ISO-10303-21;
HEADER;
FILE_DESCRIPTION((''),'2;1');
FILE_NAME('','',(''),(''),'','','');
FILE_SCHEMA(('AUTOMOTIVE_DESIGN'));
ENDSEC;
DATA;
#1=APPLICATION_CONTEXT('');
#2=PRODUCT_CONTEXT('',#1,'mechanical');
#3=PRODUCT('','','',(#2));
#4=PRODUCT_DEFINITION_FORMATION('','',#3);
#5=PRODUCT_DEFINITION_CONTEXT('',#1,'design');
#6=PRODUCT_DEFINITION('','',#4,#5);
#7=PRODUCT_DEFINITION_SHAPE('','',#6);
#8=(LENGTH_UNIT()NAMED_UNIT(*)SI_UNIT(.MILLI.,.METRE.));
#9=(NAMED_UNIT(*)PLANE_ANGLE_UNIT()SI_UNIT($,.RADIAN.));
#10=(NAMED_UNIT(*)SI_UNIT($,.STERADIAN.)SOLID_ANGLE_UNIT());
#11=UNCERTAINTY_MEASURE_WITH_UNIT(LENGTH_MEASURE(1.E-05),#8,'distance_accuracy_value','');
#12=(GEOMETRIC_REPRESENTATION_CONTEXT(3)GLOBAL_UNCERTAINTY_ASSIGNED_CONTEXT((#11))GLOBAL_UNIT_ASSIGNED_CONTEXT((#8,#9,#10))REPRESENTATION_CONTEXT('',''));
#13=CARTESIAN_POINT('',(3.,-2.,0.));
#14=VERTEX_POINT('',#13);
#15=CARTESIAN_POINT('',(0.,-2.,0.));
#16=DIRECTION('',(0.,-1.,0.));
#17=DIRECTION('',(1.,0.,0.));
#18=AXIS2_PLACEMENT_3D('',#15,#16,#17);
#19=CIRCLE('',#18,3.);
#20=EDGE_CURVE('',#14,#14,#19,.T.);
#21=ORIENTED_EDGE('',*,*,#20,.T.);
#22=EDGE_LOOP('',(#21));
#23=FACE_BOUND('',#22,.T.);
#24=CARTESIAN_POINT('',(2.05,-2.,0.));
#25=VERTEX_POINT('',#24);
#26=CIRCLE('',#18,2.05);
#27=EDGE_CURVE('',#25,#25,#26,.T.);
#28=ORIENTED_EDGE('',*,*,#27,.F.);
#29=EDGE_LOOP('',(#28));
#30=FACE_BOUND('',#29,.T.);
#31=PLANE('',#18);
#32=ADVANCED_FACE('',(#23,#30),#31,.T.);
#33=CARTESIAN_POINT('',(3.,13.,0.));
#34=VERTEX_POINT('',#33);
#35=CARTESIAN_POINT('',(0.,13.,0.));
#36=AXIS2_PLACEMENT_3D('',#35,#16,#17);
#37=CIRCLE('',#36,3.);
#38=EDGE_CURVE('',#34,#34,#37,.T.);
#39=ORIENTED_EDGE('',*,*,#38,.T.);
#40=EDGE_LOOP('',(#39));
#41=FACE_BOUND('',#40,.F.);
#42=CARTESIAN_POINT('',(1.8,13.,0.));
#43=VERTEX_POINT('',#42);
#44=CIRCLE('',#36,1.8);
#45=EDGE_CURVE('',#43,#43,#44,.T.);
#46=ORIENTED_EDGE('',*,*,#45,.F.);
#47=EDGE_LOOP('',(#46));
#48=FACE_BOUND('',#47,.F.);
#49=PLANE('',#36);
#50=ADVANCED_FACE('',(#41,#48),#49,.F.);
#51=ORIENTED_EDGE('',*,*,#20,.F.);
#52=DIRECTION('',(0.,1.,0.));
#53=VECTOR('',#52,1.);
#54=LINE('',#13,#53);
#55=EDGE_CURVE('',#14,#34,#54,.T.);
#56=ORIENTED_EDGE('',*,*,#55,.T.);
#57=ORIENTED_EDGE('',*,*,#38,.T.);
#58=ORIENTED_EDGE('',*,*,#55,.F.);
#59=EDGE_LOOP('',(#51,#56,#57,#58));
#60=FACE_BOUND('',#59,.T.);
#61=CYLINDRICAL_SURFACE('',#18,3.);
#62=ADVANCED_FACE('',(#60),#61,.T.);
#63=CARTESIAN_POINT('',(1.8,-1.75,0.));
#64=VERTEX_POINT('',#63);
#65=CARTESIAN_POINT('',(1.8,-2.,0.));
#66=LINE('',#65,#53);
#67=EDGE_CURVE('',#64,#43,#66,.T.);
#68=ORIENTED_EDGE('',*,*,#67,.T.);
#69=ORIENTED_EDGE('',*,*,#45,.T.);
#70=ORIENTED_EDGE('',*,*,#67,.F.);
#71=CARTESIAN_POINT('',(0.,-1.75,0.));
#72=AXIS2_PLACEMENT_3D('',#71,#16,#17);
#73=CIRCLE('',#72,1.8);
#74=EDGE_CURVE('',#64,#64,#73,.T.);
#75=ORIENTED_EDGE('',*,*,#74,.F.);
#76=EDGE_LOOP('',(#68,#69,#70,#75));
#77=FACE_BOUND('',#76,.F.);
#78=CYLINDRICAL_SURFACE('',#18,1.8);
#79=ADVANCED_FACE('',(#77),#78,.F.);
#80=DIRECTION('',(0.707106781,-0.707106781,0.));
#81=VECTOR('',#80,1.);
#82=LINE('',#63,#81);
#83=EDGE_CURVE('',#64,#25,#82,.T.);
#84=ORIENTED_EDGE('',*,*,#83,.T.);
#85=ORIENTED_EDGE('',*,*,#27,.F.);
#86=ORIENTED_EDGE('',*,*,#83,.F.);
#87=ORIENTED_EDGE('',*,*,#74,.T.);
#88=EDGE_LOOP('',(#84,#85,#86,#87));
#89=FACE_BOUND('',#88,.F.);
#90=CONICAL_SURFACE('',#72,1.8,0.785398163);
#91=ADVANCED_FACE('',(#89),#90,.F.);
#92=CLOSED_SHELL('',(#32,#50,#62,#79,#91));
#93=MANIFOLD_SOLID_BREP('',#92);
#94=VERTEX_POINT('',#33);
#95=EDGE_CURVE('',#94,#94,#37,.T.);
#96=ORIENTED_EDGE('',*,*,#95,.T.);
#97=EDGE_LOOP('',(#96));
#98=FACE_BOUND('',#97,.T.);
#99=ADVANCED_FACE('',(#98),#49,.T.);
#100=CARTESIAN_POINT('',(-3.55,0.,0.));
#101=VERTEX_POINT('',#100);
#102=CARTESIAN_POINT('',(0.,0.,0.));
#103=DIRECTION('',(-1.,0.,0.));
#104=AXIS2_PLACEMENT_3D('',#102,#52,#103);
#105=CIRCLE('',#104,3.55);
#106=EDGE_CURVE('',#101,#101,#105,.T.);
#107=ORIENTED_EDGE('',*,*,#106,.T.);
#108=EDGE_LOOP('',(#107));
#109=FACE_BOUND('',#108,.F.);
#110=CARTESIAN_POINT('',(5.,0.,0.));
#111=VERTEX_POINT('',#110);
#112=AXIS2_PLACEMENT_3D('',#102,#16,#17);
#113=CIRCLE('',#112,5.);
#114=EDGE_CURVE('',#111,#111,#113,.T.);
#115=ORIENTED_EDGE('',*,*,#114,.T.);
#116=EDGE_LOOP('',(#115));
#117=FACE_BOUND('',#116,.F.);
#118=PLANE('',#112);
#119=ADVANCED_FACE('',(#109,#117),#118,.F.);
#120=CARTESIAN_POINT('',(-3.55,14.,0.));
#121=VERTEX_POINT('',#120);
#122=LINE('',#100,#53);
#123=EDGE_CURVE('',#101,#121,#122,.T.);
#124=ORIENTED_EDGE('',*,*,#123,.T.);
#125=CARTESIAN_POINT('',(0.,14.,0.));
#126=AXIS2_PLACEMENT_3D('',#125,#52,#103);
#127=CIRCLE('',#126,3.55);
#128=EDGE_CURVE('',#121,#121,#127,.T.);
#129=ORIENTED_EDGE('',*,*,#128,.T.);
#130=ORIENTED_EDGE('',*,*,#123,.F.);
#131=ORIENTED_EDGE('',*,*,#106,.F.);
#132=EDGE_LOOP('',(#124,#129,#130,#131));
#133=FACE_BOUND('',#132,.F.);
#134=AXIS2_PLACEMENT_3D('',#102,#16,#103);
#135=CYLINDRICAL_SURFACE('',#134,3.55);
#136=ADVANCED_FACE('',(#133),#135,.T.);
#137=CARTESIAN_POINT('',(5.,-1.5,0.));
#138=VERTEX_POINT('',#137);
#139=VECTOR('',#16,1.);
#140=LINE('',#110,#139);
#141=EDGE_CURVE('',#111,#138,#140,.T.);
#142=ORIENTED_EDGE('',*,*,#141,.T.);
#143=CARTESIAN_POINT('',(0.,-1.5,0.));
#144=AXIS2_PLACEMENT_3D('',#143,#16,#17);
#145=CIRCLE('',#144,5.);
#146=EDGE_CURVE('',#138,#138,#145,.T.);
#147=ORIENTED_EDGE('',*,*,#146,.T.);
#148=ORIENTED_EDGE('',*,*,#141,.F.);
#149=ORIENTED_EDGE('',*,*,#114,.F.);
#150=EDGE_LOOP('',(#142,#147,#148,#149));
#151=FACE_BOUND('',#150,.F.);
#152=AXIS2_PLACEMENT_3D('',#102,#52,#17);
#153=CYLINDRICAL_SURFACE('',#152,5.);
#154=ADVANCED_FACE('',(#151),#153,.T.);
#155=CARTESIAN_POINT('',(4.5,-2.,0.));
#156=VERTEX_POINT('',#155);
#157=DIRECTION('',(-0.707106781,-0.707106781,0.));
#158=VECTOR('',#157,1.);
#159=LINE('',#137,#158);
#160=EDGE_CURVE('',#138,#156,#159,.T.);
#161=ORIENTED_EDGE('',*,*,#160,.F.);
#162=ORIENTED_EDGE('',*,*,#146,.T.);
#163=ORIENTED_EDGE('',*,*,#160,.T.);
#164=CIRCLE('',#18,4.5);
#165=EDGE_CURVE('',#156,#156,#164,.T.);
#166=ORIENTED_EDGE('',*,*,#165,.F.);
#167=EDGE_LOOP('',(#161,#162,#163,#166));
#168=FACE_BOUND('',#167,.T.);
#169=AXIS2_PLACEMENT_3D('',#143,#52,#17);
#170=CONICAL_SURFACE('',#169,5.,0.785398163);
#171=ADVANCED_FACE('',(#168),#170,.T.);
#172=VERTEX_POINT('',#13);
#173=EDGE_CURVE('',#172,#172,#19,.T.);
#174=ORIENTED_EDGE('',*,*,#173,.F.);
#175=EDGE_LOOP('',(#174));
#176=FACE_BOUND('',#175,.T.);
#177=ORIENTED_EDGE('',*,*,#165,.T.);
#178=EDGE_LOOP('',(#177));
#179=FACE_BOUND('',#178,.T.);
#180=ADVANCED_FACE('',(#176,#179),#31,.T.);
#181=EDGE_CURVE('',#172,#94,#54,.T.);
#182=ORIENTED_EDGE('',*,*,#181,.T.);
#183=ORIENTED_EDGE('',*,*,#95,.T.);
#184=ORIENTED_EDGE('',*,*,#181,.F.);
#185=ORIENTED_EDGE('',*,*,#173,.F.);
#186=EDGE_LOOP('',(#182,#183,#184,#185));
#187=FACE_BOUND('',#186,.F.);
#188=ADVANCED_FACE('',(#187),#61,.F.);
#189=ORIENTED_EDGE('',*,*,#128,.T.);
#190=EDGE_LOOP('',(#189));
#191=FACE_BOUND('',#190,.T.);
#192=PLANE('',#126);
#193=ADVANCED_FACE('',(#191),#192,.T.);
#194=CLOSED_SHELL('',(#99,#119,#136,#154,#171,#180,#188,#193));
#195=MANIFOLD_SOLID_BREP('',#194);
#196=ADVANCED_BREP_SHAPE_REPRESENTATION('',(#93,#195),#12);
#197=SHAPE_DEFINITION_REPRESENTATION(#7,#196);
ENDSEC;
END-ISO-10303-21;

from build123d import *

# Parameters (mm, degrees)
F0_R     = 5
F1_DEPTH = 2
F2_R     = 3.55
F3_DEPTH = 14
F4_R     = 3
F5_DEPTH = 15
F6_R     = 3
F6_R_2   = 1.8
F7_DEPTH = 15
F8_SIZE  = 0.25
F9_SIZE  = 0.5


with BuildPart() as f1:
    # F0 (on Front) → F1 (new body)
    with BuildSketch(Plane.XZ):
        Circle(F0_R)
    extrude(amount=F1_DEPTH)

    # F2 (on face) → F3 (join)
    with BuildSketch(Plane(origin=(0, 0, 0), x_dir=(-1, 0, 0), z_dir=(0, 1, 0))):
        Circle(F2_R)
    extrude(amount=F3_DEPTH)

    # F4 (on face) → F5 (cut, through all)
    with BuildSketch(Plane.XZ.offset(2)):
        Circle(F4_R)
    extrude(amount=-F5_DEPTH, mode=Mode.SUBTRACT)

    # F9
    f9_edges = [f1.edges().sort_by_distance(p)[0] for p in [
        (-5, -2, 0),
    ]]
    chamfer(f9_edges, length=F9_SIZE)


with BuildPart() as f7:
    # F6 (on face) → F7 (new body, through all)
    with BuildSketch(Plane.XZ.offset(2)):
        Circle(F6_R)
        Circle(F6_R_2, mode=Mode.SUBTRACT)
    extrude(amount=-F7_DEPTH)

    # F8
    f8_edges = [f7.edges().sort_by_distance(p)[0] for p in [
        (-1.8, -2, 0),
    ]]
    chamfer(f8_edges, length=F8_SIZE)


solid = Compound([f1.part, f7.part])
